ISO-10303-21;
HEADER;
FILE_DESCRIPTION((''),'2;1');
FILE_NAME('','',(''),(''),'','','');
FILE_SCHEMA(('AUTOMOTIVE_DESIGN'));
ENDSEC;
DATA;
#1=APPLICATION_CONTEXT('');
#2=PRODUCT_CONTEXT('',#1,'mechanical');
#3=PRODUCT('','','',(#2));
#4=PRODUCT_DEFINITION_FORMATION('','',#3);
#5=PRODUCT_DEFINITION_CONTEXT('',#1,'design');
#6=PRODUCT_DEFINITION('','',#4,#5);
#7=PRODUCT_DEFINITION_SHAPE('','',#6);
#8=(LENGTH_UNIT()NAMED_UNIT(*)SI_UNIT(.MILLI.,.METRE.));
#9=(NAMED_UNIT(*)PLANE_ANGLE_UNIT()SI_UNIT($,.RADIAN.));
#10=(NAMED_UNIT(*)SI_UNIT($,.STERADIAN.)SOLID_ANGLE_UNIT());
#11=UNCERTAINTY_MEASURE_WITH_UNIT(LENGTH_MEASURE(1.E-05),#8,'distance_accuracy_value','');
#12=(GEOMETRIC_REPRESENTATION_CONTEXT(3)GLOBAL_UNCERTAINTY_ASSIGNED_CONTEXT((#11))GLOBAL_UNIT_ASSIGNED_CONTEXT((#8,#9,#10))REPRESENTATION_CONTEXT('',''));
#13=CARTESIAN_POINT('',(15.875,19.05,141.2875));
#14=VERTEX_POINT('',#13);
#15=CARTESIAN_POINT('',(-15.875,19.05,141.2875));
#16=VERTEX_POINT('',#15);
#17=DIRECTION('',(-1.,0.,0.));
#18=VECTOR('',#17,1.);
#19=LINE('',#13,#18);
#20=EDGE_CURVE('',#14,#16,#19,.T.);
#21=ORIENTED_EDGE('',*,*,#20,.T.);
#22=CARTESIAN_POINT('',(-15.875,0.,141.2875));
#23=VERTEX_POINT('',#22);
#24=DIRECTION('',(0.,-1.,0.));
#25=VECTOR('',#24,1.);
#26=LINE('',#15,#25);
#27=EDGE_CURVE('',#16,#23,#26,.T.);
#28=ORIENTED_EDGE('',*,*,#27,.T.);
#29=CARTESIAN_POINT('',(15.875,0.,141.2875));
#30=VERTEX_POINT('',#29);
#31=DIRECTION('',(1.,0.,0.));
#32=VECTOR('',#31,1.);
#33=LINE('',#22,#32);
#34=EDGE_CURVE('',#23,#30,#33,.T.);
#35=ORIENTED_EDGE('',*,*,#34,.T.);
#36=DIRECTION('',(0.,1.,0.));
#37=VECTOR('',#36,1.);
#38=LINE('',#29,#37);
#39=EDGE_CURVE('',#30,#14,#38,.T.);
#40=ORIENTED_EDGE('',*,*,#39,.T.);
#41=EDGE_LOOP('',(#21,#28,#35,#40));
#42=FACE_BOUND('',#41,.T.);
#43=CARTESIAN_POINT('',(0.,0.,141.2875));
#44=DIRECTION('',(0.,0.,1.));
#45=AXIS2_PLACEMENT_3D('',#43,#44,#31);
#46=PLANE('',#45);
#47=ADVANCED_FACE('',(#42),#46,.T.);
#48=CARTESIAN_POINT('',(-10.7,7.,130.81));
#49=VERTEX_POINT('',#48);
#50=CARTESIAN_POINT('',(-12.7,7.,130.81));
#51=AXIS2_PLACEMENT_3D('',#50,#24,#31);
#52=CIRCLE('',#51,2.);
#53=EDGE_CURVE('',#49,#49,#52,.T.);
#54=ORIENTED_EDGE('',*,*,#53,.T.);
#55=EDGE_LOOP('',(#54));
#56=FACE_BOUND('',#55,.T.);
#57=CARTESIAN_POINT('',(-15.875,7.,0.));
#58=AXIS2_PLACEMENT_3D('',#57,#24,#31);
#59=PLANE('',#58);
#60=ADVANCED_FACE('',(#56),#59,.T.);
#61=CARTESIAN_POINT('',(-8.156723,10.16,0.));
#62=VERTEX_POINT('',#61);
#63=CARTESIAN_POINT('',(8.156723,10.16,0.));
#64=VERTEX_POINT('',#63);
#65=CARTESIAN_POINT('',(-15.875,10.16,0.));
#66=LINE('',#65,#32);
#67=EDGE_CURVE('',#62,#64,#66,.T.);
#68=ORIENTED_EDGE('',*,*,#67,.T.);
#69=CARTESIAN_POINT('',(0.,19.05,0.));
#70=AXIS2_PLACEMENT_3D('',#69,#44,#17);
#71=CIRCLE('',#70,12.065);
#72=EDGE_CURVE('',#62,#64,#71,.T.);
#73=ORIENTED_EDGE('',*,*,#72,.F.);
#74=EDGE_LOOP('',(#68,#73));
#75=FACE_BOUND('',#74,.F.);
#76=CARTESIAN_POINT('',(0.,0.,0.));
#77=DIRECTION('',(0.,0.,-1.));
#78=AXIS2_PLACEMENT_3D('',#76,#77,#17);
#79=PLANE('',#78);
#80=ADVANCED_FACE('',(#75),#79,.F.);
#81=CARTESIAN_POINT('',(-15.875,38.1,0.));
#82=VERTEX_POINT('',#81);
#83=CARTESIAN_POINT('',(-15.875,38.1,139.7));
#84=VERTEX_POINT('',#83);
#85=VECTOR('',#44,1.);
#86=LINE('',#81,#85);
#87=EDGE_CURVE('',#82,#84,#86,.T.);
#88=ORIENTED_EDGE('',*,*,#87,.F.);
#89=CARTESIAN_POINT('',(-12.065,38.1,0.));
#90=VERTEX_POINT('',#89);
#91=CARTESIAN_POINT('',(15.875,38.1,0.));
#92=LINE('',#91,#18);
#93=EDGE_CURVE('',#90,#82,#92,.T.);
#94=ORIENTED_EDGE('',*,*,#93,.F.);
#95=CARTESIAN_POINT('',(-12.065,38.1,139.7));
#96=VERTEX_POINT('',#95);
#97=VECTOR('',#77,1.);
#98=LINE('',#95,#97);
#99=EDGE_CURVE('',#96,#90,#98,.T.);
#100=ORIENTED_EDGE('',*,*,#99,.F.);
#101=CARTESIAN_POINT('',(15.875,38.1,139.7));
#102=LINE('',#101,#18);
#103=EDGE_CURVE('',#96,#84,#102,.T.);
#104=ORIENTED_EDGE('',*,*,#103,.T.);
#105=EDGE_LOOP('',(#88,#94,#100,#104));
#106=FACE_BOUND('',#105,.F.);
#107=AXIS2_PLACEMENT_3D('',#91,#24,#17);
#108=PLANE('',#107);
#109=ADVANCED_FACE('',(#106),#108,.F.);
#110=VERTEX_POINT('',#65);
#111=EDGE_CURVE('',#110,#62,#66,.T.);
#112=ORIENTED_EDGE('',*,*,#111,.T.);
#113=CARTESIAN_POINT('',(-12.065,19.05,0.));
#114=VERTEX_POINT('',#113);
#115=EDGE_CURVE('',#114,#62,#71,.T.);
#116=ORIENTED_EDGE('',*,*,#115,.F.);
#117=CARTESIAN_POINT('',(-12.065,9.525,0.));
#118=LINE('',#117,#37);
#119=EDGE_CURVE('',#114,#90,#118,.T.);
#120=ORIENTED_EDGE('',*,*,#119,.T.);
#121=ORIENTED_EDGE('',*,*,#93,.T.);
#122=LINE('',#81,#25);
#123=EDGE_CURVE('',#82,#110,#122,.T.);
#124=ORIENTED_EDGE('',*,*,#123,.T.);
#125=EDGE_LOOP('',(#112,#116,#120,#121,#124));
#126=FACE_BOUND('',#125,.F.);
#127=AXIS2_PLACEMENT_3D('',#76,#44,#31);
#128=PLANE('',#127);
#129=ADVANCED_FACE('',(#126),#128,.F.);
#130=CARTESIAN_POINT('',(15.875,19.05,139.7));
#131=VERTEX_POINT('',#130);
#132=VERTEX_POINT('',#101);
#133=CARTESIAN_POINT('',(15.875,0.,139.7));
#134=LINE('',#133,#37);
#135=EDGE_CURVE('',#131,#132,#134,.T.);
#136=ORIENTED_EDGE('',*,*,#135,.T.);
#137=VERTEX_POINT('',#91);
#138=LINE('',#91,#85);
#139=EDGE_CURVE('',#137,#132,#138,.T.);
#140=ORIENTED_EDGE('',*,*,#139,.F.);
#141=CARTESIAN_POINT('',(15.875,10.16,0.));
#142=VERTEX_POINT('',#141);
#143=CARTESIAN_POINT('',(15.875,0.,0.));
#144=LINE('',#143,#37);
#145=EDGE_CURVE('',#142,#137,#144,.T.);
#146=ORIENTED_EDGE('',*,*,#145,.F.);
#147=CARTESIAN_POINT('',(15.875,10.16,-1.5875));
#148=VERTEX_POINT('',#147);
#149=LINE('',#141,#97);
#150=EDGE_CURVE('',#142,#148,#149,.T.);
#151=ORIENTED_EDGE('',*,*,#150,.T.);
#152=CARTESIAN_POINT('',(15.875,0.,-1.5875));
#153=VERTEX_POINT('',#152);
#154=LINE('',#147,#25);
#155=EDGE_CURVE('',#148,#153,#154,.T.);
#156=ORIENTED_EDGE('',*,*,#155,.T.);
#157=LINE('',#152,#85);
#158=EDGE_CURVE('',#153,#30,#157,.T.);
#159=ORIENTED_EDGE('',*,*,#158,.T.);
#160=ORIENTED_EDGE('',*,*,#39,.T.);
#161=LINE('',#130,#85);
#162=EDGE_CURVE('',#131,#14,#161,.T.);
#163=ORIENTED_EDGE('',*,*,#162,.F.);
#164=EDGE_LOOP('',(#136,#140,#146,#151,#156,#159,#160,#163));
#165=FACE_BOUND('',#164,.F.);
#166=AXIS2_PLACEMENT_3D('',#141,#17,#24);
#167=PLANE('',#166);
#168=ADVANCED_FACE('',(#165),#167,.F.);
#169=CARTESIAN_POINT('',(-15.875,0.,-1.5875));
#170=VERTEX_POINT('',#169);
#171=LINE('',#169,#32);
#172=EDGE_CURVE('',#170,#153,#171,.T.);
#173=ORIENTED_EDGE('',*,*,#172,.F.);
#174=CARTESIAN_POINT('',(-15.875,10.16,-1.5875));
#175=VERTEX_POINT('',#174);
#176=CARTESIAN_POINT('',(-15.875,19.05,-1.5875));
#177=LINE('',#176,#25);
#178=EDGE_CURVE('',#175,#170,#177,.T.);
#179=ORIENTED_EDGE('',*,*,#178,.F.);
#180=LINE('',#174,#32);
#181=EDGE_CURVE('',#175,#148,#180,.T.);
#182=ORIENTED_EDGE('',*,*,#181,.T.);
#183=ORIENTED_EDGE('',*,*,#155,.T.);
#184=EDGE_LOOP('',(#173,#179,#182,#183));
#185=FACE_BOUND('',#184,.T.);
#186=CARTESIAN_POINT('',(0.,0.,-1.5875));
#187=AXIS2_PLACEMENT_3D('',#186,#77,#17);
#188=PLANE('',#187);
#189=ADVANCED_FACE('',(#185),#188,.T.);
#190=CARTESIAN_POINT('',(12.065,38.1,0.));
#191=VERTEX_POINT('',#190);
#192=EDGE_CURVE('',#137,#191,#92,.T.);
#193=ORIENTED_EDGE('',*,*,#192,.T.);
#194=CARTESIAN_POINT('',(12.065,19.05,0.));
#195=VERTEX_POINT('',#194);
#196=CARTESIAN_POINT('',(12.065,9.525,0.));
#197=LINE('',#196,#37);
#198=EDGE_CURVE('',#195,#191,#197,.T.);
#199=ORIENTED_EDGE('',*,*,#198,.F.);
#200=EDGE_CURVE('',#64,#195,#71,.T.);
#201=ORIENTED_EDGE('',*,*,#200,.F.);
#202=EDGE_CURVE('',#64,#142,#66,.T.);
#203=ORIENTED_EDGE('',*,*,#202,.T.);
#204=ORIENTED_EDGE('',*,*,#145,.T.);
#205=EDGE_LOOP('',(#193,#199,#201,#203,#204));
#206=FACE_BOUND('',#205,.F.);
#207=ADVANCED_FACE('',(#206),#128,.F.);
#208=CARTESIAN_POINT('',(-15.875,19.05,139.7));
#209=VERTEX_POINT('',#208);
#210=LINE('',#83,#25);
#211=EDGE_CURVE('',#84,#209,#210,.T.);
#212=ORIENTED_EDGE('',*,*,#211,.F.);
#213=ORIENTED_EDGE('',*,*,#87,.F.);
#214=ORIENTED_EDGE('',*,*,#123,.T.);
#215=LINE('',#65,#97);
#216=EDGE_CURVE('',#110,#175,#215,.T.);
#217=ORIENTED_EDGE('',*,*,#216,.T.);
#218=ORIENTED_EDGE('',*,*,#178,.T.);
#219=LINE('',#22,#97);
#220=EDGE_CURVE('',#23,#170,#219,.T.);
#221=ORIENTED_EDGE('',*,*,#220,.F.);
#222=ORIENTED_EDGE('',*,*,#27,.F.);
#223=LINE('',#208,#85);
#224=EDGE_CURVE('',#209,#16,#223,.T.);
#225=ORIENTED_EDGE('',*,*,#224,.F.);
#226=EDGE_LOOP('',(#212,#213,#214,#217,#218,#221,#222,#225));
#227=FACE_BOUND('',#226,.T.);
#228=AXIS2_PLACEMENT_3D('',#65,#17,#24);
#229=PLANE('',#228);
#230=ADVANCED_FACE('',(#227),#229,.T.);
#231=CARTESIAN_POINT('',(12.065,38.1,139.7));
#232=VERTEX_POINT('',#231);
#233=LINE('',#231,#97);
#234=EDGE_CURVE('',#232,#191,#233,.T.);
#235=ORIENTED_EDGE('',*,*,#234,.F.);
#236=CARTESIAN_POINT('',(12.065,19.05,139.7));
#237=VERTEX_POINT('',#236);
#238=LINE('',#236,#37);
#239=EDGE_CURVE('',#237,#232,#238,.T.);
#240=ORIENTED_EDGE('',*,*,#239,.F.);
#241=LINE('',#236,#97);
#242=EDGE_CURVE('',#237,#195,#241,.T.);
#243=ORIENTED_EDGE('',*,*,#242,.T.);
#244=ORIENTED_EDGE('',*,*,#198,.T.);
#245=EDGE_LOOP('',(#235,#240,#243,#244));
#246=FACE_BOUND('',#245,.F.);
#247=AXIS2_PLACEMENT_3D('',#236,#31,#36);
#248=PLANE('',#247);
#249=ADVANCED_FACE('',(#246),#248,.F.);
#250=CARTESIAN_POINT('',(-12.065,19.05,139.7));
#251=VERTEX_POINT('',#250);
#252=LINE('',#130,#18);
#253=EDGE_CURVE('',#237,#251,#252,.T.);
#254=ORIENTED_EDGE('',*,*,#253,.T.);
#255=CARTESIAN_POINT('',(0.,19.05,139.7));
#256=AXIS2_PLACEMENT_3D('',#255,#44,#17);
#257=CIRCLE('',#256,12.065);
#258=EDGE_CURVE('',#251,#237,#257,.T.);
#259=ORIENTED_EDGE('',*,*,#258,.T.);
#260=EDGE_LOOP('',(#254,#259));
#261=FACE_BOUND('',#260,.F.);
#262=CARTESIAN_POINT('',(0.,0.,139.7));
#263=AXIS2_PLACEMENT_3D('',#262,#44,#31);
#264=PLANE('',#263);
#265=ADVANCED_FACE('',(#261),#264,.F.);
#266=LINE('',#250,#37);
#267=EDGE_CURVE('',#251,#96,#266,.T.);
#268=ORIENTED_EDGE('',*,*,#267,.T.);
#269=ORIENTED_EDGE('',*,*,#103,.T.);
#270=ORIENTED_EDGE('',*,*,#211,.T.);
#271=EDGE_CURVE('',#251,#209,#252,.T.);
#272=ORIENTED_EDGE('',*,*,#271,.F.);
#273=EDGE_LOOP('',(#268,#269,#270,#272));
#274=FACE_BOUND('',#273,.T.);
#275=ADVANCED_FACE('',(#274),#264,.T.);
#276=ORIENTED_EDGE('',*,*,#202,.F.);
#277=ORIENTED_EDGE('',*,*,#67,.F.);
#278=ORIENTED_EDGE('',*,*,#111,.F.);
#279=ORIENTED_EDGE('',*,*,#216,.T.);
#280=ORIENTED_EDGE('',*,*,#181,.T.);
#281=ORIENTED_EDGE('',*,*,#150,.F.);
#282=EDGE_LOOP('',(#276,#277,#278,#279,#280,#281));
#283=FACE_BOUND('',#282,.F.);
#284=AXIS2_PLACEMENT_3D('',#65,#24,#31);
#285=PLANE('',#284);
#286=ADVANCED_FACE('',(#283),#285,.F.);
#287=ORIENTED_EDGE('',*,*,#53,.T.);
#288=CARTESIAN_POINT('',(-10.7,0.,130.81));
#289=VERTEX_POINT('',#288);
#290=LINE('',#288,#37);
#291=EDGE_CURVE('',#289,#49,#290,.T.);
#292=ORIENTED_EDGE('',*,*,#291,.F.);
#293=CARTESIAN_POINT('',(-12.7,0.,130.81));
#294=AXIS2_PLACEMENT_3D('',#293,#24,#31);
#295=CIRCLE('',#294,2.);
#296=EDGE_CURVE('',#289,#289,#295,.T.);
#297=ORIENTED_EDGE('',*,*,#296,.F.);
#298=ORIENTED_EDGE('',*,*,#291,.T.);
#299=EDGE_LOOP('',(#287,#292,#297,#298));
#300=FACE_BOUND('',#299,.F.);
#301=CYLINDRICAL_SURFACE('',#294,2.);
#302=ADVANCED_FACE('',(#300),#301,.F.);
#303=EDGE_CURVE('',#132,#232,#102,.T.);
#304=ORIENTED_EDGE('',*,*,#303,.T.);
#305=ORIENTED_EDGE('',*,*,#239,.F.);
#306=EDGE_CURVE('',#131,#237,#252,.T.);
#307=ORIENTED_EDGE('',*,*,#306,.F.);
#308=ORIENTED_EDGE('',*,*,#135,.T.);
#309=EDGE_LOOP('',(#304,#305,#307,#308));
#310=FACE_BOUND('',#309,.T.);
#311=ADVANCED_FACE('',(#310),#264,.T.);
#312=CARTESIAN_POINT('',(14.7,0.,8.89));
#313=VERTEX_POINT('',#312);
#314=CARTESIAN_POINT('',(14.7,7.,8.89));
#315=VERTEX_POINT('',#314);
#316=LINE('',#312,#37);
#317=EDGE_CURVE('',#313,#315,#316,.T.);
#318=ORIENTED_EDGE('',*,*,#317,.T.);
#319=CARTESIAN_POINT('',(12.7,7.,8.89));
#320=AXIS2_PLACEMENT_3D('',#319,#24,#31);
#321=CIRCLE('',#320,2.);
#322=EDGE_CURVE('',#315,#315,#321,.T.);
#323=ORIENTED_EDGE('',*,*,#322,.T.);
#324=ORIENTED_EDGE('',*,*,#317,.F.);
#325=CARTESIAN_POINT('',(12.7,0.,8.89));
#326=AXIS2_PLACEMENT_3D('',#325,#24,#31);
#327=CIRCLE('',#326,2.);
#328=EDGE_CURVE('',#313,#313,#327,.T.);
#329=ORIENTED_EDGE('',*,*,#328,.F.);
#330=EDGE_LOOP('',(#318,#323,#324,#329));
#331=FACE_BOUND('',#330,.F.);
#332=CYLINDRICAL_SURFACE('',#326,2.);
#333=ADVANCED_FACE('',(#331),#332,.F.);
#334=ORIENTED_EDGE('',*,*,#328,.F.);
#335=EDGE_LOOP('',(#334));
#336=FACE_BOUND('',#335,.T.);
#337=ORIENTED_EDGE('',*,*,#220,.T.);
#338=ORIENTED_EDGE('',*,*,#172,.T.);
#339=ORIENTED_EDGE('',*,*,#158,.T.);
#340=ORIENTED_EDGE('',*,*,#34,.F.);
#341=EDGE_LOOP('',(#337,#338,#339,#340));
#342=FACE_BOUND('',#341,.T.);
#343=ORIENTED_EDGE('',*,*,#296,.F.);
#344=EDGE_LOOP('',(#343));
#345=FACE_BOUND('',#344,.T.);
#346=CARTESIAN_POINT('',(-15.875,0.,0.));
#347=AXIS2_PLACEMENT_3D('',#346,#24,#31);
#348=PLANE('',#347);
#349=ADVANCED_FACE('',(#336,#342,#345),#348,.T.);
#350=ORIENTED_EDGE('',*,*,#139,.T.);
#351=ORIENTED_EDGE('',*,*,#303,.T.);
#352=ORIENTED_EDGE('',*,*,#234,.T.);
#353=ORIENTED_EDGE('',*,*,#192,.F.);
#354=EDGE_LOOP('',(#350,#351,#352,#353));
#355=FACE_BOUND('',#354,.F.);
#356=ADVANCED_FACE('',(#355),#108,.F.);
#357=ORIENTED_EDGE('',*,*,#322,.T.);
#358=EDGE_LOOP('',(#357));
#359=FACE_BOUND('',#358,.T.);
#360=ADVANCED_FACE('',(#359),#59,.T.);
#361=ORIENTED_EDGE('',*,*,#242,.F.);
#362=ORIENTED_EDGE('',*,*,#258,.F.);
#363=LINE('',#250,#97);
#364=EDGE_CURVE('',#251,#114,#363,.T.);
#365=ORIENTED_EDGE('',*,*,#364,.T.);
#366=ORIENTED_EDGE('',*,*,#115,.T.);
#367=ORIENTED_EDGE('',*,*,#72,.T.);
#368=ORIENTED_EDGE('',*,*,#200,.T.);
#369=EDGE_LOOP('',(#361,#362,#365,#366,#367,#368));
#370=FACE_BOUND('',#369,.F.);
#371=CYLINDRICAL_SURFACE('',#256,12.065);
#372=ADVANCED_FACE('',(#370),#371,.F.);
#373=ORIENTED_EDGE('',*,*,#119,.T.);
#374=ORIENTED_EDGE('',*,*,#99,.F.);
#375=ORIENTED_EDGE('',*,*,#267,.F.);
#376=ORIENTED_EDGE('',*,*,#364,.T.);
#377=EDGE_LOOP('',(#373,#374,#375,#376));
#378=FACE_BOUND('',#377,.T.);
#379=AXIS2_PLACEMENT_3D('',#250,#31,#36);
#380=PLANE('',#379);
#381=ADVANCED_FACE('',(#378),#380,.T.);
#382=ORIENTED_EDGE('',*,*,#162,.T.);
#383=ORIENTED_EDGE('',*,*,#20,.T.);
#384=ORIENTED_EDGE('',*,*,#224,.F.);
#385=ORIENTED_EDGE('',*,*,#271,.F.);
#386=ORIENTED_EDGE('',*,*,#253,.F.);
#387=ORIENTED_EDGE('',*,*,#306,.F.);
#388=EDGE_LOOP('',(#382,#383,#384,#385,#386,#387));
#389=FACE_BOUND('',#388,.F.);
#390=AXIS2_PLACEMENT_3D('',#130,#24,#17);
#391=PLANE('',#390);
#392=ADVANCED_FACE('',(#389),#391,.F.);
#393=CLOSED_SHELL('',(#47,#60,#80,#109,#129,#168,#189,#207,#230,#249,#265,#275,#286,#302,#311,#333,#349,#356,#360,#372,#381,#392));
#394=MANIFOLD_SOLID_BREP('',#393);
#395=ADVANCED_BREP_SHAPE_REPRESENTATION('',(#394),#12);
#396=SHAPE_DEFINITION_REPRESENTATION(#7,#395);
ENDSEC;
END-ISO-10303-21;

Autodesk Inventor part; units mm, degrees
ref_plane "YZ Plane" through (0, 0, 0) normal (1, 0, 0) x (0, 1, 0)
ref_plane "XZ Plane" through (0, 0, 0) normal (0, 1, 0) x (-1, 0, 0)
ref_plane "XY Plane" through (0, 0, 0) normal (0, 0, 1) x (1, 0, 0)
sketch "Sketch1" plane through (0, 0, 0) normal (0, 0, 1) x (1, 0, 0)
  line L0 (-15.875, 0) -> (15.875, 0)
  line L1 (15.875, 0) -> (15.875, 38.1)
  line L2 (15.875, 38.1) -> (-15.875, 38.1)
  line L3 (-15.875, 38.1) -> (-15.875, 0)
  point P0 (0, 0)
  dimension "d2" = 31.75
  dimension "d3" = 38.1
  dimension "d4" = 15.875
  dimension "d5" = 0
extrude "Extrusion1" add sketch "Sketch1" along normal blind 139.7
sketch "Sketch2" plane through (0, 0, 139.7) normal (0, 0, 1) x (1, 0, 0)
  arc A0 (-12.065, 19.05) -> (12.065, 19.05) centre (0, 19.05) ccw
  line L0 (-15.875, 0) -> (15.875, 0) projected
  line L1 (12.065, 19.05) -> (12.065, 38.1)
  line L2 (15.875, 38.1) -> (-15.875, 38.1) projected
  line L3 (-12.065, 19.05) -> (-12.065, 38.1)
  point P0 (0, 0)
  dimension "d8" = 19.05
  dimension "d9" = 24.13
extrude "Extrusion2" cut sketch "Sketch2" against normal through all
sketch "Sketch3" plane through (-15.875, 0, 0) normal (0, -1, 0) x (1, 0, 0)
  circle A0 centre (28.575, 8.89) radius 2
  circle A1 centre (3.175, 130.81) radius 2
  line L0 (15.875, 0) -> (15.875, 139.7) construction
  line L1 (0, 139.7) -> (31.75, 139.7) construction
  line L2 (0, 0) -> (31.75, 0) construction
  line L3 (31.75, 139.7) -> (0, 139.7) construction
  dimension "d12" = 4
  dimension "d13" = 4
  dimension "d14" = 12.7
  dimension "d15" = 8.89
  dimension "d16" = 12.7
  dimension "d17" = 8.89
extrude "Heat Set Inserts" cut sketch "Sketch3" against normal blind 7
sketch "Sketch4" plane through (0, 0, 139.7) normal (0, 0, 1) x (1, 0, 0)
  line L0 (-15.875, 0) -> (15.875, 0) projected
  line L1 (15.875, 0) -> (15.875, 38.1) projected
  line L2 (-15.875, 0) -> (15.875, 0)
  line L3 (15.875, 0) -> (15.875, 19.05)
  line L4 (15.875, 19.05) -> (-15.875, 19.05)
  line L5 (-15.875, 19.05) -> (-15.875, 0)
  point P0 (0, 0)
  dimension "d20" = 19.05
extrude "Back Wall" add sketch "Sketch4" along normal blind 1.5875
sketch "Sketch5" plane through (0, 0, 0) normal (0, 0, -1) x (-1, 0, 0)
  line L0 (15.875, 0) -> (-15.875, 0) projected
  line L1 (15.875, 19.05) -> (15.875, 0) projected
  line L2 (-15.875, 0) -> (15.875, 0)
  line L3 (15.875, 0) -> (15.875, 10.16)
  line L4 (15.875, 10.16) -> (-15.875, 10.16)
  line L5 (-15.875, 10.16) -> (-15.875, 0)
  point P0 (0, 0)
  dimension "d23" = 10.16
extrude "Extrusion5" add sketch "Sketch5" along normal blind 1.5875
equation "\"d4\" = 0.5 * d2"
equation "\"d12\" = m3_heat_set_insert"
equation "\"d13\" = m3_heat_set_insert"
equation "\"d18\" = m3_heat_set_depth"
equation "\"m3_heat_set_insert\" = 4"
equation "\"m3_clearance\" = 3.4"
equation "\"m3_heat_set_depth\" = 7"
equation "\"robot_diameter\" = 354"
equation "\"hardboard_thickness\" = 5"
properties part number "NiMH_Holder"
